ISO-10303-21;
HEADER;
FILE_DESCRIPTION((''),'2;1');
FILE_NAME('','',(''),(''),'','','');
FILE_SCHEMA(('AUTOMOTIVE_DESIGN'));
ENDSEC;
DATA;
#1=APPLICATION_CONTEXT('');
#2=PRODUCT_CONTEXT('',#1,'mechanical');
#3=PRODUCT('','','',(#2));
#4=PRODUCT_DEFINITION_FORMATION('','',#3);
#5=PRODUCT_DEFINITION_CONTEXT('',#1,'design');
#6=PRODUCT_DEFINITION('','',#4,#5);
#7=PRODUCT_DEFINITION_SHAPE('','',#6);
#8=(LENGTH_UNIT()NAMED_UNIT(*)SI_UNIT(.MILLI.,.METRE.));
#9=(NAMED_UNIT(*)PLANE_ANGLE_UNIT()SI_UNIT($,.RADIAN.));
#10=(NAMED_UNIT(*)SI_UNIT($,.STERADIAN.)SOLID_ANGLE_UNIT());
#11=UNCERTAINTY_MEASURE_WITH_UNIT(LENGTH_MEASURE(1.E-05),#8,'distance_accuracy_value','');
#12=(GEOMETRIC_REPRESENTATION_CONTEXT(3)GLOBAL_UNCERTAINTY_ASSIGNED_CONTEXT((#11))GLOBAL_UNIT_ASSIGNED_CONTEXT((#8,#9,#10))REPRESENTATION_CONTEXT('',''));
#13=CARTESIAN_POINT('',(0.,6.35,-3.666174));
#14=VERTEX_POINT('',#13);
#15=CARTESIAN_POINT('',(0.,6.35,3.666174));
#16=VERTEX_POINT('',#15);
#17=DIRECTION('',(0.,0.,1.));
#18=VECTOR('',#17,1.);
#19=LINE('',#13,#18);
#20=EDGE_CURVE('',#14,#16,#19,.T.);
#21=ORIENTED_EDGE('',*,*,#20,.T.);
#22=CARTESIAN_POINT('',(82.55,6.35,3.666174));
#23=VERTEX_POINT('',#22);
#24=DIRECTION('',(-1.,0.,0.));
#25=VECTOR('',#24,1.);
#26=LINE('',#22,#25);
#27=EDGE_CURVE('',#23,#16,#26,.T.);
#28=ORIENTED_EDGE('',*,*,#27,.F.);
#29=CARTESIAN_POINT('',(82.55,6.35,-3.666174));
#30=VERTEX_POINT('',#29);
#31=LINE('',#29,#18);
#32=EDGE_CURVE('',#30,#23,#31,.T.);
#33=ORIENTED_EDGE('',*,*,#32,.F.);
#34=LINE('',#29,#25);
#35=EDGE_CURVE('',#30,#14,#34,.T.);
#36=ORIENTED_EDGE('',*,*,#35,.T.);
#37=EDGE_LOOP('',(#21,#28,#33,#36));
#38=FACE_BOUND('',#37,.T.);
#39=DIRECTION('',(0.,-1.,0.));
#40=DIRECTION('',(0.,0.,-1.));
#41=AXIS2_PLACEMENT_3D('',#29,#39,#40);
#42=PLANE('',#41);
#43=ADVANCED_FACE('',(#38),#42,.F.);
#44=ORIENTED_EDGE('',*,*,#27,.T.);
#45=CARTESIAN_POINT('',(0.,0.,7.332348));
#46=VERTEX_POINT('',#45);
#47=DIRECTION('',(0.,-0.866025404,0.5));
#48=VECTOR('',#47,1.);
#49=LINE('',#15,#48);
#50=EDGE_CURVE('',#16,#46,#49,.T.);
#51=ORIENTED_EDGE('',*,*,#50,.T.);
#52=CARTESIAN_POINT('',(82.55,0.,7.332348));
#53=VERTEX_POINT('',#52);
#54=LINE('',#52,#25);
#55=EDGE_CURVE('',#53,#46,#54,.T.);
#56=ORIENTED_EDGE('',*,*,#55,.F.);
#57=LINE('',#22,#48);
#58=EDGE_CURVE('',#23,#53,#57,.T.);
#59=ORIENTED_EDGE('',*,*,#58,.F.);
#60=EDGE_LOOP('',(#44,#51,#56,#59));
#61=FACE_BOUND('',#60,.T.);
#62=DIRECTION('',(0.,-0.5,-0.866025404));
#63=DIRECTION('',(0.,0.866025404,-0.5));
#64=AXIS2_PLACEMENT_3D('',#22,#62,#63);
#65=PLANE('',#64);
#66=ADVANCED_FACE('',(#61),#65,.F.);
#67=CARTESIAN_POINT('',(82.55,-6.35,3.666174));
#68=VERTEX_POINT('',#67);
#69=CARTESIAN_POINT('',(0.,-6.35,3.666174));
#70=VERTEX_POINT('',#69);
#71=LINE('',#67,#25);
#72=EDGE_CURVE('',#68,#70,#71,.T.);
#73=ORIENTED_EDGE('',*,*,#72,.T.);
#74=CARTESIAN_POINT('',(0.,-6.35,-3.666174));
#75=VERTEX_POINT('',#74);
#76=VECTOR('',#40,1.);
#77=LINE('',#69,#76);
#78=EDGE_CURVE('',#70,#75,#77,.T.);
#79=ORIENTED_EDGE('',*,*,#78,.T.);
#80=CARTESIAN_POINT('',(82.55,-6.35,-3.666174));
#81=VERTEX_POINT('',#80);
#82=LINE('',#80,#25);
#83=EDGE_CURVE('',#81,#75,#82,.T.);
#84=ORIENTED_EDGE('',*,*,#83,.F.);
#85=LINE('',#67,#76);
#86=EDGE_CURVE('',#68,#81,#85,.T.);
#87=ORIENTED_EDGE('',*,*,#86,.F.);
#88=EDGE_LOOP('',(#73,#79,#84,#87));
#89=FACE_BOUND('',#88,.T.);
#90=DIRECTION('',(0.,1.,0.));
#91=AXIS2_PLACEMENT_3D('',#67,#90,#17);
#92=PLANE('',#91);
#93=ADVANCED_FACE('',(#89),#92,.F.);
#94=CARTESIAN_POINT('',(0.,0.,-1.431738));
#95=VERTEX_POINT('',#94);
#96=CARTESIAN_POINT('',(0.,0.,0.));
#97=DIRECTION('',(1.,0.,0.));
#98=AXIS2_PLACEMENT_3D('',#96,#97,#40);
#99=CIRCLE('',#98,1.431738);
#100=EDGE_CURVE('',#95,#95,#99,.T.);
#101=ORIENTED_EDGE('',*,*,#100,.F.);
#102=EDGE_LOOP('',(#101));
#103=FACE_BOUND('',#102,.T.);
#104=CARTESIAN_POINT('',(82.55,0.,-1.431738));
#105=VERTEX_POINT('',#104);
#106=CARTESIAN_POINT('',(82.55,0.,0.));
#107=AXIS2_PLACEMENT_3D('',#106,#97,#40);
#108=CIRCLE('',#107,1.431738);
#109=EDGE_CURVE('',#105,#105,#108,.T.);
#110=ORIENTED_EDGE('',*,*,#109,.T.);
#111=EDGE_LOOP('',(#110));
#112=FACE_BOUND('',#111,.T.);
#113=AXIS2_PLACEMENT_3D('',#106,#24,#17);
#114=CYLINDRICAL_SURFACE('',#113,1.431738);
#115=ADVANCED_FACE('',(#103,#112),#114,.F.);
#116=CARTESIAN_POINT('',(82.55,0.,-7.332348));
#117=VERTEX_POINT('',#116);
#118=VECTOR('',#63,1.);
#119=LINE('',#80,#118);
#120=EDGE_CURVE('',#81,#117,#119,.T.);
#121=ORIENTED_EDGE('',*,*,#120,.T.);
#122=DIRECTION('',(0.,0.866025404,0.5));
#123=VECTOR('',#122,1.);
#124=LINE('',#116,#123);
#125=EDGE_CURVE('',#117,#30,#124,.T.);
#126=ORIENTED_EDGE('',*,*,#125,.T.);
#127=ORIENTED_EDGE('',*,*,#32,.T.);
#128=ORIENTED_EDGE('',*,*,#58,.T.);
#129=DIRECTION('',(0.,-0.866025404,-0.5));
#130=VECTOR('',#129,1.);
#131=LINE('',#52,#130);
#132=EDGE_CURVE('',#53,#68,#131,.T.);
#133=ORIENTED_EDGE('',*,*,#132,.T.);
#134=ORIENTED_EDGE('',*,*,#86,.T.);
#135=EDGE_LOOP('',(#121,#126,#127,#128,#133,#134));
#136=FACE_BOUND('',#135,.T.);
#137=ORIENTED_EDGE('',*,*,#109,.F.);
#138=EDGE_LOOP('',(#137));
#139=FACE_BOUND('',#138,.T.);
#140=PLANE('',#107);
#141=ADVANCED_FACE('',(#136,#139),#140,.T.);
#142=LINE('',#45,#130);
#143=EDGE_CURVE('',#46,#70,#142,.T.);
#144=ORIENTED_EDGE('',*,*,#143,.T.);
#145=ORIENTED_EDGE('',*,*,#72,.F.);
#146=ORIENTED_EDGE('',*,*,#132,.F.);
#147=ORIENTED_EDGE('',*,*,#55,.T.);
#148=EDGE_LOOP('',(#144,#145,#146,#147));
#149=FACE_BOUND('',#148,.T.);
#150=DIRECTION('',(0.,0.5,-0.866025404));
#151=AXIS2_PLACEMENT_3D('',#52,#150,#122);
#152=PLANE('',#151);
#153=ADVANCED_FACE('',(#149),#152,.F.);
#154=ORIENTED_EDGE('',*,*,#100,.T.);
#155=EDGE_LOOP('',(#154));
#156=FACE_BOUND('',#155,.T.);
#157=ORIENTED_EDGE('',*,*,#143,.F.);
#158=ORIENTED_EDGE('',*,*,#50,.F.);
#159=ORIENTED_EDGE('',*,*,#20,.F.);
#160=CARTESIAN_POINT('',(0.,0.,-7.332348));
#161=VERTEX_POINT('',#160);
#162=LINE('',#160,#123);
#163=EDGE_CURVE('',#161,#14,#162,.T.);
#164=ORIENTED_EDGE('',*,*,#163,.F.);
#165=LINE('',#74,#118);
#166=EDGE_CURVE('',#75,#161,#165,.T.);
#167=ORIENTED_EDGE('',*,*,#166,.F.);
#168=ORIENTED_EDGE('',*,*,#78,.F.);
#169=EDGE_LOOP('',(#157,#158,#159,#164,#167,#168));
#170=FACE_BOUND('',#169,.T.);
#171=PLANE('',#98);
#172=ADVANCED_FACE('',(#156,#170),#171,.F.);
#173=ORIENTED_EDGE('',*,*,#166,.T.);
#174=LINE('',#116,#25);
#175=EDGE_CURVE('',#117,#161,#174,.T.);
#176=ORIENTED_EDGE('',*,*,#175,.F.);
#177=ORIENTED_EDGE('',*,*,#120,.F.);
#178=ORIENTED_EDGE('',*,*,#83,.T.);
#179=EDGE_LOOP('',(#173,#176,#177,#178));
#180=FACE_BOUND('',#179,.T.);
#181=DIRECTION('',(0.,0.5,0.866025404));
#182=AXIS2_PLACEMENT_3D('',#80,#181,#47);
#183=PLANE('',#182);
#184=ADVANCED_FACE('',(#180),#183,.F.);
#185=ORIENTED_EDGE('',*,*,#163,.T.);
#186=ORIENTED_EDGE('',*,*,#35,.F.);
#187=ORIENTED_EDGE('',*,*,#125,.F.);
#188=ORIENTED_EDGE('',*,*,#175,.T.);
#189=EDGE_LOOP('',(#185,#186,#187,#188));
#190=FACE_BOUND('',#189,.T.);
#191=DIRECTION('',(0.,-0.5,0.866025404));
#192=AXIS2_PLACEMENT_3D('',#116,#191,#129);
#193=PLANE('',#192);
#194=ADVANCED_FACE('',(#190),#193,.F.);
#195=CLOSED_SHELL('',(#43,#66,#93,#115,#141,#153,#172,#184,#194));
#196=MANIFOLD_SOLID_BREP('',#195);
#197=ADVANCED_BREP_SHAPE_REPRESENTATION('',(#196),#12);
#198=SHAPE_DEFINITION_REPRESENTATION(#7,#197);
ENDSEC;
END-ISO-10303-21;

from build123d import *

# Parameters (mm, degrees)
SKETCH1_R           = 1.431738184
BOSS_EXTRUDE1_DEPTH = 82.55


with BuildPart() as part:
    # Sketch1 → Boss-Extrude1 (new body)
    with BuildSketch(Plane(origin=(0, 0, 0), x_dir=(0, 0, -1), z_dir=(1, 0, 0))):
        Polygon((3.666174209, -6.35), (7.332348419, 0), (3.666174209, 6.35), (-3.666174209, 6.35), (-7.332348419, 0), (-3.666174209, -6.35), align=None)
        Circle(SKETCH1_R, mode=Mode.SUBTRACT)
    extrude(amount=BOSS_EXTRUDE1_DEPTH)


solid = part.part
